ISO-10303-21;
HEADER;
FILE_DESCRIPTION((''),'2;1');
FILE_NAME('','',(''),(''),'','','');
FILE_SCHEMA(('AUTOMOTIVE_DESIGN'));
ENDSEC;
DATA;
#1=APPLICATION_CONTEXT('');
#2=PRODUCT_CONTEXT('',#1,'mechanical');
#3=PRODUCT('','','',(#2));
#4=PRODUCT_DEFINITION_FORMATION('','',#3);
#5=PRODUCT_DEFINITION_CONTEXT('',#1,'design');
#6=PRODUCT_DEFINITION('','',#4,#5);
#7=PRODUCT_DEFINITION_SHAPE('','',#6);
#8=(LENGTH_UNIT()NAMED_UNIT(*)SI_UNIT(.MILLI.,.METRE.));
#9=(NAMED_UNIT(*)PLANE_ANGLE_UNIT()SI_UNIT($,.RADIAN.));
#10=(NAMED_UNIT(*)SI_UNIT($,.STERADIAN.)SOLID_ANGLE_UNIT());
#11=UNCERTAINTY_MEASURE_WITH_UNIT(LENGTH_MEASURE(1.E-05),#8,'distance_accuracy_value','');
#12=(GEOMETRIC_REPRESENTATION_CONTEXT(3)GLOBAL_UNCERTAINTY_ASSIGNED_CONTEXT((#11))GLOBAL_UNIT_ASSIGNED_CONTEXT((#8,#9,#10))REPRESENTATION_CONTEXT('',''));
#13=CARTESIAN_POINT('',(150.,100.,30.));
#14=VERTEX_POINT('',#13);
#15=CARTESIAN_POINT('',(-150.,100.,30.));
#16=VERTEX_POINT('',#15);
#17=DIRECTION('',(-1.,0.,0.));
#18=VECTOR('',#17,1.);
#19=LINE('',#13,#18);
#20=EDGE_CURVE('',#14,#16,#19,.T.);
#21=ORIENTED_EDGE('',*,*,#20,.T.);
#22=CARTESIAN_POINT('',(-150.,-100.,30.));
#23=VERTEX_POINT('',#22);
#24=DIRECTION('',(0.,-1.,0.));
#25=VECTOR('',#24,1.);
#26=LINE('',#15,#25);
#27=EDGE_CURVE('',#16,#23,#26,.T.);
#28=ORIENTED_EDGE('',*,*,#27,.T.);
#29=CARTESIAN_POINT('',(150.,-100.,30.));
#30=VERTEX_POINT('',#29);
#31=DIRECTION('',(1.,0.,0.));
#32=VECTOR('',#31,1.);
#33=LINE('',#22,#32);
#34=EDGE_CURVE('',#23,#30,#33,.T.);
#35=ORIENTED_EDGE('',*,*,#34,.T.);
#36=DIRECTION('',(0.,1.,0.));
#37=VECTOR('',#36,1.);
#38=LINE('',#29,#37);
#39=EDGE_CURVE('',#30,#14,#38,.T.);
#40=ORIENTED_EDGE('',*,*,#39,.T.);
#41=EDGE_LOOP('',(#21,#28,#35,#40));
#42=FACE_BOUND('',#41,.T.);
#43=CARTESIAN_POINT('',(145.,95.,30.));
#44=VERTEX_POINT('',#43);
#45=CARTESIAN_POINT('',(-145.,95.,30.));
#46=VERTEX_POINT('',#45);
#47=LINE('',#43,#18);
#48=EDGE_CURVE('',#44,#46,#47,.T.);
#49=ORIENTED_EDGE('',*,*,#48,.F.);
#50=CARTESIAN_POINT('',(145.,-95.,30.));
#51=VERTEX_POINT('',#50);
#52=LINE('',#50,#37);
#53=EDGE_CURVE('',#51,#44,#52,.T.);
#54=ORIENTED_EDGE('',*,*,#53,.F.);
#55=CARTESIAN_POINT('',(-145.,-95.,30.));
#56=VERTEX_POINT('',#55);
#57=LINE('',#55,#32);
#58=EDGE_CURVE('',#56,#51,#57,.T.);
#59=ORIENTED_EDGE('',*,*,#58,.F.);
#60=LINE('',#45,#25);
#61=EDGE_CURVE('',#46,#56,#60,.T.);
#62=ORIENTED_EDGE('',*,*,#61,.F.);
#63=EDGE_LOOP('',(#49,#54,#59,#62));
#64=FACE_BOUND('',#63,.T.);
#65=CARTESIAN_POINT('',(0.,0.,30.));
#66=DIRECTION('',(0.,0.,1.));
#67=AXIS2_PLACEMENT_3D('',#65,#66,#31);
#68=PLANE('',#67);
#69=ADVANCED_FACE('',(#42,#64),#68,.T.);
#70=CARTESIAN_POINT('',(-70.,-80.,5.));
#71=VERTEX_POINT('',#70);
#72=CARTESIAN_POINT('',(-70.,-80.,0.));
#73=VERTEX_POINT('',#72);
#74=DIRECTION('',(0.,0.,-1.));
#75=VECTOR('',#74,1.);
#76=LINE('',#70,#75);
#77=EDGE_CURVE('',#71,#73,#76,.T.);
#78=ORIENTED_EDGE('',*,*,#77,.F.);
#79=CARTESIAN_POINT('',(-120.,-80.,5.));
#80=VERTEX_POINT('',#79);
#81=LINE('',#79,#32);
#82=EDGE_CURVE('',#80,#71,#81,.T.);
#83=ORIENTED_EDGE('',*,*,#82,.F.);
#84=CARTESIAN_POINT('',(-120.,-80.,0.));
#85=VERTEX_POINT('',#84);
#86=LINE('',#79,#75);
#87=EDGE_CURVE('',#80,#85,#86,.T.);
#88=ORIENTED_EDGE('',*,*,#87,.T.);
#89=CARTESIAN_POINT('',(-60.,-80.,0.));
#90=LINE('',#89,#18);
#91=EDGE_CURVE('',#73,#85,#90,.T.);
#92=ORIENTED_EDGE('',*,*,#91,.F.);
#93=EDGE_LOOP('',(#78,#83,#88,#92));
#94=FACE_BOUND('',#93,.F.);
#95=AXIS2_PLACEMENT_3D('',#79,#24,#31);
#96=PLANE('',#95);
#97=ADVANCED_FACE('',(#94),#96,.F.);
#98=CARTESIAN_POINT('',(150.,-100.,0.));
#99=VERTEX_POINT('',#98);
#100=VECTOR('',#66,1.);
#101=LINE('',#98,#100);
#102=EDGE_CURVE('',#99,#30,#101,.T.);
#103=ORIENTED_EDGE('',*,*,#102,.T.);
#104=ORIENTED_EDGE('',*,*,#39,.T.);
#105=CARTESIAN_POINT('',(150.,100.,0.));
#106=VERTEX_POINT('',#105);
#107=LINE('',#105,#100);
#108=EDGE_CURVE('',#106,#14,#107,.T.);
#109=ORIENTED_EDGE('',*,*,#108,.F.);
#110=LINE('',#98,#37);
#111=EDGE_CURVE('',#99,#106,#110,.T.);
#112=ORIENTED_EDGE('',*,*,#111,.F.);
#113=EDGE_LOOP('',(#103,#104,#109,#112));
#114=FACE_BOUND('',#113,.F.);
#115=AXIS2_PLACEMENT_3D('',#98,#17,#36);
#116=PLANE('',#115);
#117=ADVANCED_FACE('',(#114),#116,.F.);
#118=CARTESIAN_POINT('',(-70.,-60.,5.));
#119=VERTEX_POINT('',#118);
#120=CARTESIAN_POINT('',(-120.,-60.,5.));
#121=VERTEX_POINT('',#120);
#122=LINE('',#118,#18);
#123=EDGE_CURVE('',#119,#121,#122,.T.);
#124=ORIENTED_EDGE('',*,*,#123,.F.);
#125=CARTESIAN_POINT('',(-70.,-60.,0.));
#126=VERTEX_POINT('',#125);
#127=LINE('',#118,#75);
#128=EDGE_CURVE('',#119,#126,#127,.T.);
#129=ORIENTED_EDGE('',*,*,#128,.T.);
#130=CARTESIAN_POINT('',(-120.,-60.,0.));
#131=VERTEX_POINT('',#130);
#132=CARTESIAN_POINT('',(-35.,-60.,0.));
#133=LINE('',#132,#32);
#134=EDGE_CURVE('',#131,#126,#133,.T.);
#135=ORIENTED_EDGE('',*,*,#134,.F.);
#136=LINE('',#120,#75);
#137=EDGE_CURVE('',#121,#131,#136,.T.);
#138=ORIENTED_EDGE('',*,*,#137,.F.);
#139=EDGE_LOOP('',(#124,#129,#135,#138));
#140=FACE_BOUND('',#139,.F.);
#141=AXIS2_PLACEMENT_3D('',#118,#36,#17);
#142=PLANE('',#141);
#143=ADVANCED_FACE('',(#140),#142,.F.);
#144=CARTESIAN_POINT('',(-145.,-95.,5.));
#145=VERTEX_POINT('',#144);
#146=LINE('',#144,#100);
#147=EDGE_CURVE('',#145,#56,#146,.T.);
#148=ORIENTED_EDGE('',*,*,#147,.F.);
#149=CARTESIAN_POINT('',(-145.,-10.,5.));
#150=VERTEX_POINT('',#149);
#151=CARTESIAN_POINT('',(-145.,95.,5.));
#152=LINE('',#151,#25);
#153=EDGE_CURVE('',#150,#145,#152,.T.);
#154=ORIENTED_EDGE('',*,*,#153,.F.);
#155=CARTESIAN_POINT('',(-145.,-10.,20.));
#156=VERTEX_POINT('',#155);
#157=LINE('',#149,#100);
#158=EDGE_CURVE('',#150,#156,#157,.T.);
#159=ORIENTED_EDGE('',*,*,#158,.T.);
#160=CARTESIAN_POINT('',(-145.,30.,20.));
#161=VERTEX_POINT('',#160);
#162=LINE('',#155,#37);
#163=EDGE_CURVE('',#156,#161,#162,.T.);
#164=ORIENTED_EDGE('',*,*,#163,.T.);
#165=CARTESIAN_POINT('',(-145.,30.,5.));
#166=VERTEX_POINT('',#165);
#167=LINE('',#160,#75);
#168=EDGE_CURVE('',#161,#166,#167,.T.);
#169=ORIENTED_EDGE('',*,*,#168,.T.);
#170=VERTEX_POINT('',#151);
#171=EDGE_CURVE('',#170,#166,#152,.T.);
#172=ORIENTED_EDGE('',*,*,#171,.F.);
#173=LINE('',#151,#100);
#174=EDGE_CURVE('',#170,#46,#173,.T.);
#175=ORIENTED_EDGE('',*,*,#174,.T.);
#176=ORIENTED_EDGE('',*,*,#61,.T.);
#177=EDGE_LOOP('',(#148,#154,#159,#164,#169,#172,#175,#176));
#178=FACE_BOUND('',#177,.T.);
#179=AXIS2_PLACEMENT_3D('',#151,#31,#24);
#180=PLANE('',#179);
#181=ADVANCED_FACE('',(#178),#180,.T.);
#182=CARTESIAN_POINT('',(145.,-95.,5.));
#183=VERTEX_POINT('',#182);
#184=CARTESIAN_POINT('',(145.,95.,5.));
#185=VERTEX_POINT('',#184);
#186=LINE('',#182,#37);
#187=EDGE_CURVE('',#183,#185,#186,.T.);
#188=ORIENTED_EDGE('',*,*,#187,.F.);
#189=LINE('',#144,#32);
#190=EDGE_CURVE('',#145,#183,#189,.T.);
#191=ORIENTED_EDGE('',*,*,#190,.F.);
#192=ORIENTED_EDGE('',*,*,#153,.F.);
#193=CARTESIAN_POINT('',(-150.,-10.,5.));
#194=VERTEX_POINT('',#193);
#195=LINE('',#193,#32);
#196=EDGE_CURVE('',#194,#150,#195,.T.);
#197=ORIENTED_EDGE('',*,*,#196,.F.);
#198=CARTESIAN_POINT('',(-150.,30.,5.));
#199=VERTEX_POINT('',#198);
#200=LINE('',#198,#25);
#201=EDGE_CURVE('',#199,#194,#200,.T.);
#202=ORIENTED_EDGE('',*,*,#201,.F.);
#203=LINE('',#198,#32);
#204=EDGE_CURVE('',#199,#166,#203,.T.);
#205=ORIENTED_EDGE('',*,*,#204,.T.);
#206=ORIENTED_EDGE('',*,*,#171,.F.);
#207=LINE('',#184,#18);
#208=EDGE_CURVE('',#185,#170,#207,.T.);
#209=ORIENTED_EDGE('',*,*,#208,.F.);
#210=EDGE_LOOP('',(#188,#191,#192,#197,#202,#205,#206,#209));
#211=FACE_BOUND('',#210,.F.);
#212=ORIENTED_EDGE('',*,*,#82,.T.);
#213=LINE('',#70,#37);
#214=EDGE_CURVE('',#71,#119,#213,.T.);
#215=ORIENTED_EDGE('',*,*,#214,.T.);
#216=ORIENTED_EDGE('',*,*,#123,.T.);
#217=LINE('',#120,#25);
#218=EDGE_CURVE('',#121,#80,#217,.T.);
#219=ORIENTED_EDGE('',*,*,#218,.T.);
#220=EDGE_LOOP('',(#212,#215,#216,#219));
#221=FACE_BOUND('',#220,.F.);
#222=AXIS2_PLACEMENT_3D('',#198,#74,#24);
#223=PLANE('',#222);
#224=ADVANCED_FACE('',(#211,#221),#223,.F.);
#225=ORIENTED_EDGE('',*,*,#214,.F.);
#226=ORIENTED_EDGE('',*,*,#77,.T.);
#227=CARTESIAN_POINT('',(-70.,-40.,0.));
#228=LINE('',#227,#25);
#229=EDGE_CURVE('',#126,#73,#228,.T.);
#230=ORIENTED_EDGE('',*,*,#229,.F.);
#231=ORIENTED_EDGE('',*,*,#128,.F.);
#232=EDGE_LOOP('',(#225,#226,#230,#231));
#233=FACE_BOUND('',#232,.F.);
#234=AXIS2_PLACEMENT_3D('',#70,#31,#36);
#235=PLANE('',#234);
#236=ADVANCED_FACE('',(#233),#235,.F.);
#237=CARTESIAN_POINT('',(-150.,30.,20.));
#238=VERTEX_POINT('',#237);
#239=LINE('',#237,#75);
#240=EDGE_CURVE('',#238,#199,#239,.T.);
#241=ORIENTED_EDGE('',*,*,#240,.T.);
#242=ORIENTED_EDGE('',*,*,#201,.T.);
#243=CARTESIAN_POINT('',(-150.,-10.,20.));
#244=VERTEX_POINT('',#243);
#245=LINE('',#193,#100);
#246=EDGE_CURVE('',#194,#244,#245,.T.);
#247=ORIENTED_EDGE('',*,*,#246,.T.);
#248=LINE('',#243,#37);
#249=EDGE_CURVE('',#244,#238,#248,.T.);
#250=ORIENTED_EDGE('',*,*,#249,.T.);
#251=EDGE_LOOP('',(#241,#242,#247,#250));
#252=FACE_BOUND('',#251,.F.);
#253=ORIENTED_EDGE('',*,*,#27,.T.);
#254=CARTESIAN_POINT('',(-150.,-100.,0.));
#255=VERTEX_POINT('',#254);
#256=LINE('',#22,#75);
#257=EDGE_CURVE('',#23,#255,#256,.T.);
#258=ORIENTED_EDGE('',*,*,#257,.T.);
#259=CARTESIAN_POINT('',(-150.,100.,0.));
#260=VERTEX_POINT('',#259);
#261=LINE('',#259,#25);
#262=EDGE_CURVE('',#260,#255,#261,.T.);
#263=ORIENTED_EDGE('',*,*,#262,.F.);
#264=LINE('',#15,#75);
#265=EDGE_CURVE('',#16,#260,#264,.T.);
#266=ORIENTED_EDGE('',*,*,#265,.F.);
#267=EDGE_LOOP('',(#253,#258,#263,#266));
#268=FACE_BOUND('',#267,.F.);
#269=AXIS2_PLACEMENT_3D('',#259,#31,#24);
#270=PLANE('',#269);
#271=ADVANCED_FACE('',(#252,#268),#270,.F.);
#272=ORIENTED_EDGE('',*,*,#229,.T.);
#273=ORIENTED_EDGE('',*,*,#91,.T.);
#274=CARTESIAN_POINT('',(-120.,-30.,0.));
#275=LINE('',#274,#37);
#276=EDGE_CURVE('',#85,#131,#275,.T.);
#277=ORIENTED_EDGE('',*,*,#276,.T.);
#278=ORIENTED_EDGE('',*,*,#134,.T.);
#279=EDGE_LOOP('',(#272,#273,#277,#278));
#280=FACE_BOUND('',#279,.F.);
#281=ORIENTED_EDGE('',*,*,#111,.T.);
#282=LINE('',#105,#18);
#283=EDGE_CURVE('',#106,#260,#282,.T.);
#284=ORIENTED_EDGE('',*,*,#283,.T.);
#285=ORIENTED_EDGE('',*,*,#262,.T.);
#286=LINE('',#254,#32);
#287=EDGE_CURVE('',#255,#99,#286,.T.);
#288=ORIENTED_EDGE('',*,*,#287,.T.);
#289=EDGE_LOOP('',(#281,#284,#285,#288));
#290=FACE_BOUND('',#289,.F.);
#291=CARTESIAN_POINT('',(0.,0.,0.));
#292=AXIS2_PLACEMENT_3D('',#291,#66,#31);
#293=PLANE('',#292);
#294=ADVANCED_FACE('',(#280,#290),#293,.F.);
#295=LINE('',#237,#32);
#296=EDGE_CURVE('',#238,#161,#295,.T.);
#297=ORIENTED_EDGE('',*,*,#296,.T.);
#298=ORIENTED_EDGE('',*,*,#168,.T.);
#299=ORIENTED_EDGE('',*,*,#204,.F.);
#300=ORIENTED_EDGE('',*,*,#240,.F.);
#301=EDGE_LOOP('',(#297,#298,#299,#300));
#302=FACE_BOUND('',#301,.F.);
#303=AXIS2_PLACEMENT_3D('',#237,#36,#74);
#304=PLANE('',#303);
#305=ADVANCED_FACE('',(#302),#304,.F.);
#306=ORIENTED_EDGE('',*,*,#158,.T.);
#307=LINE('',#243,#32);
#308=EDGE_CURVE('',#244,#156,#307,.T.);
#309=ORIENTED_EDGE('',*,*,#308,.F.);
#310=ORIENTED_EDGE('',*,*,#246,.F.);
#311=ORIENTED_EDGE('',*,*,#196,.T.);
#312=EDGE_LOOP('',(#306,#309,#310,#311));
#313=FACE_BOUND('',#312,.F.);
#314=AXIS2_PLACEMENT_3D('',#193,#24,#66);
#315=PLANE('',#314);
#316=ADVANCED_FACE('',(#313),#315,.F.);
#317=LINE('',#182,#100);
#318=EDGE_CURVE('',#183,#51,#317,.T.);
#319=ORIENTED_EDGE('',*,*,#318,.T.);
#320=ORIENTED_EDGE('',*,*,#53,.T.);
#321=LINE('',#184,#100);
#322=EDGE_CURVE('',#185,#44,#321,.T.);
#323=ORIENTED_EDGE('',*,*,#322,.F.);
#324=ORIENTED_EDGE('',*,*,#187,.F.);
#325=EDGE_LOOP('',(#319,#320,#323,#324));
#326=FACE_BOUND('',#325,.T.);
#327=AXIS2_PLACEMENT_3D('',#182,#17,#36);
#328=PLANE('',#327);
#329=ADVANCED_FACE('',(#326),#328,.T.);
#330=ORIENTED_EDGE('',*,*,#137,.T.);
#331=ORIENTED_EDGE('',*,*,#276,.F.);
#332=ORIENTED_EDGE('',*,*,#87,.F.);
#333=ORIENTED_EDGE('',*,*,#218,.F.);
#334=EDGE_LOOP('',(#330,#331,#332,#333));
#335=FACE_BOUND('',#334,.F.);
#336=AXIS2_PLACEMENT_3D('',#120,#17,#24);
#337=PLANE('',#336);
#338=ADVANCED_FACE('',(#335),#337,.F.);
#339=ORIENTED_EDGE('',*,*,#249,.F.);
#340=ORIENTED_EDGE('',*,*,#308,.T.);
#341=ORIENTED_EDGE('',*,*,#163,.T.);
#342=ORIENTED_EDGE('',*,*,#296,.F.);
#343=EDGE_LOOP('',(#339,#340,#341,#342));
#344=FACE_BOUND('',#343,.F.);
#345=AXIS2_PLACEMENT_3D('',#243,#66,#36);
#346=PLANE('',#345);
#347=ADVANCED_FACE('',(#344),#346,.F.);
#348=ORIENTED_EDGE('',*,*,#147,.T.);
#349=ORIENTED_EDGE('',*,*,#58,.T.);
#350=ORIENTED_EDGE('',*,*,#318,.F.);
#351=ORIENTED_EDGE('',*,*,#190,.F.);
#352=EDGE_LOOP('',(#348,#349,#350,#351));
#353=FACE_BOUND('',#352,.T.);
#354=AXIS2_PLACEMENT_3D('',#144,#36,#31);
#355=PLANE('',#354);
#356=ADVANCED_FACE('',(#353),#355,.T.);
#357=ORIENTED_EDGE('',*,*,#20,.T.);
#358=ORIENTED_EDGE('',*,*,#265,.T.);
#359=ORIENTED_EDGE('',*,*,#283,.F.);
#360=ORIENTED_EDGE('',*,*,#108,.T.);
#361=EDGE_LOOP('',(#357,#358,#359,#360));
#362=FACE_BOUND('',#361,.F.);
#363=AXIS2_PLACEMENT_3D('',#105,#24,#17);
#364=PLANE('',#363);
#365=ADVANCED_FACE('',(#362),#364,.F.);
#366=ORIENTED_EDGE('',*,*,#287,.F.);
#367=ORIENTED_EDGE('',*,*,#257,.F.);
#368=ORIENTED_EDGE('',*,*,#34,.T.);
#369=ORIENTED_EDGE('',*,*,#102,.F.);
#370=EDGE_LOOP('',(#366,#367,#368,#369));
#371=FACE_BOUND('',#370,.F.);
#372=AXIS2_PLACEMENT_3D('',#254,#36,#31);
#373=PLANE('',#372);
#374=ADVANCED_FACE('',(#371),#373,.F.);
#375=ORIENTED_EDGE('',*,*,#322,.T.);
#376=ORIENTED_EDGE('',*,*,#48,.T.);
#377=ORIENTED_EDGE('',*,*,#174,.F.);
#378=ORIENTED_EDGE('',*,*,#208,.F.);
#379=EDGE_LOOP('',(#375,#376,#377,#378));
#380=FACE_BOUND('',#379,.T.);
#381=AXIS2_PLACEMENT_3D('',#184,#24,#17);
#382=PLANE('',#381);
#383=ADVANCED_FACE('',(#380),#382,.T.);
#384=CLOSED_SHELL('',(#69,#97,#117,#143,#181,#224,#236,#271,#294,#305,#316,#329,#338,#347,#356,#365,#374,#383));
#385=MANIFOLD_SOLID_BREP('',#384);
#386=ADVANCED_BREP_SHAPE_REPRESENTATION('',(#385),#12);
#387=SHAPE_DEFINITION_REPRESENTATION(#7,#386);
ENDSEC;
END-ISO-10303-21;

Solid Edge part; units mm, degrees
sketch "Sketch1" plane through (0, 0, 0) normal (0, 0, 1) x (1, 0, 0)
  line L0 (-150, -100) -> (150, -100)
  line L1 (150, -100) -> (150, 100)
  line L2 (150, 100) -> (-150, 100)
  line L3 (-150, 100) -> (-150, -100)
  dimension "D1" = 200
  dimension "D2" = 300
extrude "Protrusion1" add sketch "Sketch1" along normal blind 5
sketch "Sketch2" plane through (0, 0, 5) normal (0, 0, 1) x (1, 0, 0)
  line L0 (-120, -80) -> (-70, -80)
  line L1 (-70, -80) -> (-70, -60)
  line L2 (-70, -60) -> (-120, -60)
  line L3 (-120, -60) -> (-120, -80)
  dimension "D1" = 30
  dimension "D2" = 20
  dimension "D3" = 50
  dimension "D4" = 20
extrude "Cutout1" cut sketch "Sketch2" against normal up to next
sketch "Sketch3" plane through (0, 0, 5) normal (0, 0, 1) x (1, 0, 0)
  line L0 (-145, -95) -> (145, -95)
  line L1 (145, -95) -> (145, 95)
  line L2 (145, 95) -> (-145, 95)
  line L3 (-145, 95) -> (-145, -95)
  line L4 (-150, -100) -> (150, -100)
  line L5 (150, -100) -> (150, 100)
  line L6 (150, 100) -> (-150, 100)
  line L7 (-150, 100) -> (-150, -100)
extrude "ExtrudedProtrusion_2" add sketch "Sketch3" along normal blind 25
sketch "Sketch4" plane through (-150, 0, 15) normal (-1, 0, 0) x (0, -1, 0)
  line L0 (-30, -10) -> (10, -10)
  line L1 (10, -10) -> (10, 5)
  line L2 (10, 5) -> (-30, 5)
  line L3 (-30, 5) -> (-30, -10)
  dimension "D1" = 15
  dimension "D2" = 40
  dimension "D3" = 5
  dimension "D4" = 90
extrude "ExtrudedCutout_2" cut sketch "Sketch4" against normal blind 5
